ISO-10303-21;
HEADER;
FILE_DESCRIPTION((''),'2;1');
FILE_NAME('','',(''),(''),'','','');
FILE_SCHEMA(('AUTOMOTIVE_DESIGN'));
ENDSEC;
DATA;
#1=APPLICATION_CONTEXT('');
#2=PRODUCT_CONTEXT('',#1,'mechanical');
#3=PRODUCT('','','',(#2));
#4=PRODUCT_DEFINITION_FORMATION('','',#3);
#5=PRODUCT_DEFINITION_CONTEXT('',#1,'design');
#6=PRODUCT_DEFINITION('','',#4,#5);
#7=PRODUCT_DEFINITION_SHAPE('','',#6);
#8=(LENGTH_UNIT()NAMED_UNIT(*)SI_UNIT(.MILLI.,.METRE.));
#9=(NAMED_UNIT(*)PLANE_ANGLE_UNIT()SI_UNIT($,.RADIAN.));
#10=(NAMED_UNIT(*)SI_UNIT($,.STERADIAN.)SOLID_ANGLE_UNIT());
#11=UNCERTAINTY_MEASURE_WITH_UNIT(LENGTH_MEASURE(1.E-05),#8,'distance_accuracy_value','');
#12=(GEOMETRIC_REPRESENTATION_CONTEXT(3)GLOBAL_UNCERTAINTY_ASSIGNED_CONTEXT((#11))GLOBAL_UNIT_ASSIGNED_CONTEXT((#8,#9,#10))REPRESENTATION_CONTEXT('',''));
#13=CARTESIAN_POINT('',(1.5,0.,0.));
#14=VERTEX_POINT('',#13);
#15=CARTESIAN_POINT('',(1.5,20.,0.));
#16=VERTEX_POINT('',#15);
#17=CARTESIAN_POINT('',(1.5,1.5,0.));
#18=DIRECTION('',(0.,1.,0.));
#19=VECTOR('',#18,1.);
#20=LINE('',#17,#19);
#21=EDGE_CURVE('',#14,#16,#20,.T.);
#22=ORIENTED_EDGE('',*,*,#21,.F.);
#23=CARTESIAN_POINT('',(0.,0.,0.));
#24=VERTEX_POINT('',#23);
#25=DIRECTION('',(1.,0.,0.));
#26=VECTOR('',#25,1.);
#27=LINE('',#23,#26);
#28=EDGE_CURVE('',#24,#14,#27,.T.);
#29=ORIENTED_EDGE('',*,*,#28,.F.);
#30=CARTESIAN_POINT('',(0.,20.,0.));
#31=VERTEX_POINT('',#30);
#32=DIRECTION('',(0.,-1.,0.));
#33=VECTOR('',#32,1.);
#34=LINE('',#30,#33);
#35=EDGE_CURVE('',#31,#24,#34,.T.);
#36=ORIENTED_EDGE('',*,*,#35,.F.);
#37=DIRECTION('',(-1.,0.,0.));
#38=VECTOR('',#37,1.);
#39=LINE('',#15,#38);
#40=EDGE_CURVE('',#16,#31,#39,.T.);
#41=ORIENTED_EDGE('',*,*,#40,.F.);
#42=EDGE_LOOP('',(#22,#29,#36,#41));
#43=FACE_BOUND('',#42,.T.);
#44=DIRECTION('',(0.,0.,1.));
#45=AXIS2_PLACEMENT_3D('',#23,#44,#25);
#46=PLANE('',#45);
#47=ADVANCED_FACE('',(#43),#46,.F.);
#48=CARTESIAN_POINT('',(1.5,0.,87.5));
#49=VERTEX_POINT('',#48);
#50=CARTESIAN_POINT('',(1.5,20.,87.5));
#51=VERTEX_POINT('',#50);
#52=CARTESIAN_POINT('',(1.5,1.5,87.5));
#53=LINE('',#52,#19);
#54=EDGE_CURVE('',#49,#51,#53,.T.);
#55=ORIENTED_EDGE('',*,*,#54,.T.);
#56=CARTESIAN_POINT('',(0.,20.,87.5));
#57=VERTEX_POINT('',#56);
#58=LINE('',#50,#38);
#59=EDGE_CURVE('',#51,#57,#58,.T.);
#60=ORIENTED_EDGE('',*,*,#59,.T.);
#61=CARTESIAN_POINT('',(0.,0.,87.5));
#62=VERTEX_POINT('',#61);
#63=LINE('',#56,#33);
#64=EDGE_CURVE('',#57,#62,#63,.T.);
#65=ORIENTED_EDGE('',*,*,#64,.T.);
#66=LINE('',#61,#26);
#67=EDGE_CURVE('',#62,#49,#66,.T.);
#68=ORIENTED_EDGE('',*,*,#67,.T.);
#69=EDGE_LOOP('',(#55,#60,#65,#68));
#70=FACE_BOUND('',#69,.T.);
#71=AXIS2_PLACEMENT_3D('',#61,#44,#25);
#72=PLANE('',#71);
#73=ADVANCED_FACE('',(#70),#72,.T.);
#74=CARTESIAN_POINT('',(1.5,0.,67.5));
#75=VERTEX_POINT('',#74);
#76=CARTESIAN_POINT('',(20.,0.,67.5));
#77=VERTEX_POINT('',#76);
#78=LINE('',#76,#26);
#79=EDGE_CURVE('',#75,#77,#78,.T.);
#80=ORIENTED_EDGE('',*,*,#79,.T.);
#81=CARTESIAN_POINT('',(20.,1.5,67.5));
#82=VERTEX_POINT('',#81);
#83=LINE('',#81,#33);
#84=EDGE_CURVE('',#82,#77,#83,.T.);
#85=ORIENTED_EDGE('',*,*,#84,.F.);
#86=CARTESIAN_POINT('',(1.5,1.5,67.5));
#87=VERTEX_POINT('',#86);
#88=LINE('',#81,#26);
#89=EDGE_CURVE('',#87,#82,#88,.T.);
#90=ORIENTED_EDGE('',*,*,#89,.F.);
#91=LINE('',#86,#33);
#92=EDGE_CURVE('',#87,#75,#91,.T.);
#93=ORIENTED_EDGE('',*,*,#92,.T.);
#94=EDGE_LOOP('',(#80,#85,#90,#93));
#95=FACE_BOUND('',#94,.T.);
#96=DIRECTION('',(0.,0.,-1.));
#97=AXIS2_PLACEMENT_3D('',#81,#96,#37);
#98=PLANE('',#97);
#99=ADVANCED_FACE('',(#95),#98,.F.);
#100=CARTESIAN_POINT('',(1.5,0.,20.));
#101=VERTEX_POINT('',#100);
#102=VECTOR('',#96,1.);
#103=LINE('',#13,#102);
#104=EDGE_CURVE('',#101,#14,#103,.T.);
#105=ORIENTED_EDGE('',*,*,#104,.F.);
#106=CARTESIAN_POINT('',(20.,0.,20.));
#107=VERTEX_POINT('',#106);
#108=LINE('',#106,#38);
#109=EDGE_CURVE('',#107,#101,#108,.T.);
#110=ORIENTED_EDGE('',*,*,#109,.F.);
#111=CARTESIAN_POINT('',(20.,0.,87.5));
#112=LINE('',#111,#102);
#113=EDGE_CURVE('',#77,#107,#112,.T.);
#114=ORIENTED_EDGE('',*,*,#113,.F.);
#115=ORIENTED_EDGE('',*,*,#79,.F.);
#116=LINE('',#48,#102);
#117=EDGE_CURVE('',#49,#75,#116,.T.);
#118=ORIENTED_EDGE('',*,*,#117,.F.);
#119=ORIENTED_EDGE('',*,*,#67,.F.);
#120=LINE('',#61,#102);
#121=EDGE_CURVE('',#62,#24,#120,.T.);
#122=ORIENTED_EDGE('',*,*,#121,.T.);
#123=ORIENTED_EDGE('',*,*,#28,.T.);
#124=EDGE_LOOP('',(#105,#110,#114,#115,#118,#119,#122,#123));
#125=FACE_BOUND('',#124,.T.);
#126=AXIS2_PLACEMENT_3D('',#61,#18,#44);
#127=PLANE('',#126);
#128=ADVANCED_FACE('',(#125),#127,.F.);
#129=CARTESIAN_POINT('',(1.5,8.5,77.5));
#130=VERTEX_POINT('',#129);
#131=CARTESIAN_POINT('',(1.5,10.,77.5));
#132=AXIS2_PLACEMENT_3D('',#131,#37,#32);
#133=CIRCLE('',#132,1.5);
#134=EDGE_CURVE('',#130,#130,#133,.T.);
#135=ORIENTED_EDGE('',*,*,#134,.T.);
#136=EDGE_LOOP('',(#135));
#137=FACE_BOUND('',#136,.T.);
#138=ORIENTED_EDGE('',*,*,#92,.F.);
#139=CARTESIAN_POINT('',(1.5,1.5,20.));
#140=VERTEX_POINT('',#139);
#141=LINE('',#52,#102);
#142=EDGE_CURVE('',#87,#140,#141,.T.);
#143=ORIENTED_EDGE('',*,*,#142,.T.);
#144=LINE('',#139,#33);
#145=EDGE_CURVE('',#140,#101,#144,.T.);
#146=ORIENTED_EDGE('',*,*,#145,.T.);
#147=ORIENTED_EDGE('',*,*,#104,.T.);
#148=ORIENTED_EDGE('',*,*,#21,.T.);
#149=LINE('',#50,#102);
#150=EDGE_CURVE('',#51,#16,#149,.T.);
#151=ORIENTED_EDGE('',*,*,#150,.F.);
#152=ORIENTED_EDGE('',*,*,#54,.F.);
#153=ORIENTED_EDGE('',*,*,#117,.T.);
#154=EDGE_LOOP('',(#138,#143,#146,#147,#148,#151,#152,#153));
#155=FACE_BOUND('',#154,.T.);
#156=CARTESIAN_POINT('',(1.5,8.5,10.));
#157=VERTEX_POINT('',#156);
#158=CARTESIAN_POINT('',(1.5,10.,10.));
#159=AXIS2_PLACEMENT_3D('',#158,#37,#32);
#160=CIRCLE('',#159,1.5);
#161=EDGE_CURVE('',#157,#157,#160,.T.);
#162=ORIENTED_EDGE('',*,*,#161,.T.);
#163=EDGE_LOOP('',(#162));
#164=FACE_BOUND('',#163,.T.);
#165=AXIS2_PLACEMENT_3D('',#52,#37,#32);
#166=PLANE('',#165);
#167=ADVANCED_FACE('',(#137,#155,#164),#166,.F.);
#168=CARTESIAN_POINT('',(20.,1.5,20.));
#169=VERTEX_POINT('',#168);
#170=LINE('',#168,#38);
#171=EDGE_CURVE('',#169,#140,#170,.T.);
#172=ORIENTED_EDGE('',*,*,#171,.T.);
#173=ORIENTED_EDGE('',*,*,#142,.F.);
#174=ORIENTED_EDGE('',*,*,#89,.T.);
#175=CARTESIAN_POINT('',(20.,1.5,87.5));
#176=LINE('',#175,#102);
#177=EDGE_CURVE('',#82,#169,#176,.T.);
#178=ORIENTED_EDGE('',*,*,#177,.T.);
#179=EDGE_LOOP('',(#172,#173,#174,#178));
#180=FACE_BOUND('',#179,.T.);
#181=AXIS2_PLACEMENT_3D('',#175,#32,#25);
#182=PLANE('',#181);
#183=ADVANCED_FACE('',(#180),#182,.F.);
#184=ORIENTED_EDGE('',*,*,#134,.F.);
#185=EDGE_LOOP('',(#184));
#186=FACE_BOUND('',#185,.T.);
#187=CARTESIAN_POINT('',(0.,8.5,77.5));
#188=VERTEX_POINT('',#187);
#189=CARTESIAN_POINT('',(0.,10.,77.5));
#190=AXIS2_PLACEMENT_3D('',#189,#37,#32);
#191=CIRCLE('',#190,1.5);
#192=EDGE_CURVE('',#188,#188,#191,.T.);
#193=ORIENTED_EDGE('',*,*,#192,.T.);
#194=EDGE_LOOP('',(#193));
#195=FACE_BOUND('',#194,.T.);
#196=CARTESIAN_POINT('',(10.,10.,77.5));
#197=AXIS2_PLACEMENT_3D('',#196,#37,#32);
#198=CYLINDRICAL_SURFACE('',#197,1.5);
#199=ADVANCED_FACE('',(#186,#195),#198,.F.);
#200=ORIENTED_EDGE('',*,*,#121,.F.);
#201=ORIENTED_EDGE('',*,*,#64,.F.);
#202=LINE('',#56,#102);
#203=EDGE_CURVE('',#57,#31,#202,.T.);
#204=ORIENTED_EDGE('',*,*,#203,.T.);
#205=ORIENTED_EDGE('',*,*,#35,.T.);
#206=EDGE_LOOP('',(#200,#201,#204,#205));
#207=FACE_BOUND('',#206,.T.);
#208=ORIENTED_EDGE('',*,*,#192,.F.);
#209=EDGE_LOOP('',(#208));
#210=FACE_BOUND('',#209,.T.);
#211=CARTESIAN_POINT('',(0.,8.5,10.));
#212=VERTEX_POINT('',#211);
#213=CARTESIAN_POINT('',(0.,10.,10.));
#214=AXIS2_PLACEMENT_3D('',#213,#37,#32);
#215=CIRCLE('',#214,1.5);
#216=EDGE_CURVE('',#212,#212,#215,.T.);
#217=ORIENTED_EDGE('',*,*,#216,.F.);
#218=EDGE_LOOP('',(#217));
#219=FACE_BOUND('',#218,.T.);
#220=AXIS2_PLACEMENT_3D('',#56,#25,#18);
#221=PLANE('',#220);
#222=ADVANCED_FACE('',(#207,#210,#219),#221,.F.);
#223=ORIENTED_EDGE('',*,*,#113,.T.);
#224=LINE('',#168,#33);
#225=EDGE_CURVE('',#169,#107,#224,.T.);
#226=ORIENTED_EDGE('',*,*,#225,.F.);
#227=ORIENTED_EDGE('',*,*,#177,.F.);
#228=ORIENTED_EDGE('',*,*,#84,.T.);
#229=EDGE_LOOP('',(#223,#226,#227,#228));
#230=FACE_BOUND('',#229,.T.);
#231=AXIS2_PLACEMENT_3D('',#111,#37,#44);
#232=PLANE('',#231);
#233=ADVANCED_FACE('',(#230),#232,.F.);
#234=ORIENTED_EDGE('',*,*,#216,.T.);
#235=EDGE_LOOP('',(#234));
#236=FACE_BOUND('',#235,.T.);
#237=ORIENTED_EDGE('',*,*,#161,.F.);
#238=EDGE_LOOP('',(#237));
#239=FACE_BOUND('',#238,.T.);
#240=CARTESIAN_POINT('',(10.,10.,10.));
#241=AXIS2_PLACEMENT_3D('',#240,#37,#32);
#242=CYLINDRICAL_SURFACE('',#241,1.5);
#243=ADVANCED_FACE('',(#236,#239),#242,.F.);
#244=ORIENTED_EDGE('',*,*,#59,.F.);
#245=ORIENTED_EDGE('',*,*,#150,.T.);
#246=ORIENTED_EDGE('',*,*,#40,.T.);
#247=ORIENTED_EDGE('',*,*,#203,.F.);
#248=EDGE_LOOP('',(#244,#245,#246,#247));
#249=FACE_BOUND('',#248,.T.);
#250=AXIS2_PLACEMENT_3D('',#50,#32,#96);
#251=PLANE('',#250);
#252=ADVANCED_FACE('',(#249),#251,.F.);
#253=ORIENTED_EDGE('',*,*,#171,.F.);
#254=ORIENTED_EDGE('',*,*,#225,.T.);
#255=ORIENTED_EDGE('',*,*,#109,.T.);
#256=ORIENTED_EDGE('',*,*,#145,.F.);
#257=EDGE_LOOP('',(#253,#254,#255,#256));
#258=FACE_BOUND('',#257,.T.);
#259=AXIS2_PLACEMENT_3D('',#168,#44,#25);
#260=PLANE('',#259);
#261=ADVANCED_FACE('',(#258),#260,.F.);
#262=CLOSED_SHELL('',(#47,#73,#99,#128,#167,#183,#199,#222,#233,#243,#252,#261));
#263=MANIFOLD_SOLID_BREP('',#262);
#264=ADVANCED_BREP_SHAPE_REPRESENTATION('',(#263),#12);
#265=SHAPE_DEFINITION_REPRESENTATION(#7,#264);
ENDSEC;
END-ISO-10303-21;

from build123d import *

# Parameters (mm, degrees)
EXTRUSION1_DEPTH = 87.5
ESQUISSE3_R      = 1.5
EXTRUSION3_DEPTH = 10
ESQUISSE4_W      = 18.5
ESQUISSE4_H      = 20
EXTRUSION4_DEPTH = 1.5


with BuildPart() as part:
    # Esquisse1 → Extrusion1 (new body)
    with BuildSketch(Plane.XY):
        Polygon((0, 0), (20, 0), (20, 1.5), (1.5, 1.5), (1.5, 20), (0, 20), align=None)
    extrude(amount=EXTRUSION1_DEPTH)

    # Esquisse3 → Extrusion3 (cut)
    with BuildSketch(Plane.ZY):
        with Locations(Location((77.5, 10, 0), (0, 0, 270))):
            Circle(ESQUISSE3_R)
        with Locations(Location((10, 10, 0), (0, 0, 270))):
            Circle(ESQUISSE3_R)
    extrude(amount=-EXTRUSION3_DEPTH, mode=Mode.SUBTRACT)

    # Esquisse4 → Extrusion4 (cut)
    with BuildSketch(Plane.XZ):
        with Locations((10.75, 10)):
            Rectangle(ESQUISSE4_W, ESQUISSE4_H)
        with Locations((10.75, 77.5)):
            Rectangle(ESQUISSE4_W, ESQUISSE4_H)
    extrude(amount=-EXTRUSION4_DEPTH, mode=Mode.SUBTRACT)


solid = part.part
